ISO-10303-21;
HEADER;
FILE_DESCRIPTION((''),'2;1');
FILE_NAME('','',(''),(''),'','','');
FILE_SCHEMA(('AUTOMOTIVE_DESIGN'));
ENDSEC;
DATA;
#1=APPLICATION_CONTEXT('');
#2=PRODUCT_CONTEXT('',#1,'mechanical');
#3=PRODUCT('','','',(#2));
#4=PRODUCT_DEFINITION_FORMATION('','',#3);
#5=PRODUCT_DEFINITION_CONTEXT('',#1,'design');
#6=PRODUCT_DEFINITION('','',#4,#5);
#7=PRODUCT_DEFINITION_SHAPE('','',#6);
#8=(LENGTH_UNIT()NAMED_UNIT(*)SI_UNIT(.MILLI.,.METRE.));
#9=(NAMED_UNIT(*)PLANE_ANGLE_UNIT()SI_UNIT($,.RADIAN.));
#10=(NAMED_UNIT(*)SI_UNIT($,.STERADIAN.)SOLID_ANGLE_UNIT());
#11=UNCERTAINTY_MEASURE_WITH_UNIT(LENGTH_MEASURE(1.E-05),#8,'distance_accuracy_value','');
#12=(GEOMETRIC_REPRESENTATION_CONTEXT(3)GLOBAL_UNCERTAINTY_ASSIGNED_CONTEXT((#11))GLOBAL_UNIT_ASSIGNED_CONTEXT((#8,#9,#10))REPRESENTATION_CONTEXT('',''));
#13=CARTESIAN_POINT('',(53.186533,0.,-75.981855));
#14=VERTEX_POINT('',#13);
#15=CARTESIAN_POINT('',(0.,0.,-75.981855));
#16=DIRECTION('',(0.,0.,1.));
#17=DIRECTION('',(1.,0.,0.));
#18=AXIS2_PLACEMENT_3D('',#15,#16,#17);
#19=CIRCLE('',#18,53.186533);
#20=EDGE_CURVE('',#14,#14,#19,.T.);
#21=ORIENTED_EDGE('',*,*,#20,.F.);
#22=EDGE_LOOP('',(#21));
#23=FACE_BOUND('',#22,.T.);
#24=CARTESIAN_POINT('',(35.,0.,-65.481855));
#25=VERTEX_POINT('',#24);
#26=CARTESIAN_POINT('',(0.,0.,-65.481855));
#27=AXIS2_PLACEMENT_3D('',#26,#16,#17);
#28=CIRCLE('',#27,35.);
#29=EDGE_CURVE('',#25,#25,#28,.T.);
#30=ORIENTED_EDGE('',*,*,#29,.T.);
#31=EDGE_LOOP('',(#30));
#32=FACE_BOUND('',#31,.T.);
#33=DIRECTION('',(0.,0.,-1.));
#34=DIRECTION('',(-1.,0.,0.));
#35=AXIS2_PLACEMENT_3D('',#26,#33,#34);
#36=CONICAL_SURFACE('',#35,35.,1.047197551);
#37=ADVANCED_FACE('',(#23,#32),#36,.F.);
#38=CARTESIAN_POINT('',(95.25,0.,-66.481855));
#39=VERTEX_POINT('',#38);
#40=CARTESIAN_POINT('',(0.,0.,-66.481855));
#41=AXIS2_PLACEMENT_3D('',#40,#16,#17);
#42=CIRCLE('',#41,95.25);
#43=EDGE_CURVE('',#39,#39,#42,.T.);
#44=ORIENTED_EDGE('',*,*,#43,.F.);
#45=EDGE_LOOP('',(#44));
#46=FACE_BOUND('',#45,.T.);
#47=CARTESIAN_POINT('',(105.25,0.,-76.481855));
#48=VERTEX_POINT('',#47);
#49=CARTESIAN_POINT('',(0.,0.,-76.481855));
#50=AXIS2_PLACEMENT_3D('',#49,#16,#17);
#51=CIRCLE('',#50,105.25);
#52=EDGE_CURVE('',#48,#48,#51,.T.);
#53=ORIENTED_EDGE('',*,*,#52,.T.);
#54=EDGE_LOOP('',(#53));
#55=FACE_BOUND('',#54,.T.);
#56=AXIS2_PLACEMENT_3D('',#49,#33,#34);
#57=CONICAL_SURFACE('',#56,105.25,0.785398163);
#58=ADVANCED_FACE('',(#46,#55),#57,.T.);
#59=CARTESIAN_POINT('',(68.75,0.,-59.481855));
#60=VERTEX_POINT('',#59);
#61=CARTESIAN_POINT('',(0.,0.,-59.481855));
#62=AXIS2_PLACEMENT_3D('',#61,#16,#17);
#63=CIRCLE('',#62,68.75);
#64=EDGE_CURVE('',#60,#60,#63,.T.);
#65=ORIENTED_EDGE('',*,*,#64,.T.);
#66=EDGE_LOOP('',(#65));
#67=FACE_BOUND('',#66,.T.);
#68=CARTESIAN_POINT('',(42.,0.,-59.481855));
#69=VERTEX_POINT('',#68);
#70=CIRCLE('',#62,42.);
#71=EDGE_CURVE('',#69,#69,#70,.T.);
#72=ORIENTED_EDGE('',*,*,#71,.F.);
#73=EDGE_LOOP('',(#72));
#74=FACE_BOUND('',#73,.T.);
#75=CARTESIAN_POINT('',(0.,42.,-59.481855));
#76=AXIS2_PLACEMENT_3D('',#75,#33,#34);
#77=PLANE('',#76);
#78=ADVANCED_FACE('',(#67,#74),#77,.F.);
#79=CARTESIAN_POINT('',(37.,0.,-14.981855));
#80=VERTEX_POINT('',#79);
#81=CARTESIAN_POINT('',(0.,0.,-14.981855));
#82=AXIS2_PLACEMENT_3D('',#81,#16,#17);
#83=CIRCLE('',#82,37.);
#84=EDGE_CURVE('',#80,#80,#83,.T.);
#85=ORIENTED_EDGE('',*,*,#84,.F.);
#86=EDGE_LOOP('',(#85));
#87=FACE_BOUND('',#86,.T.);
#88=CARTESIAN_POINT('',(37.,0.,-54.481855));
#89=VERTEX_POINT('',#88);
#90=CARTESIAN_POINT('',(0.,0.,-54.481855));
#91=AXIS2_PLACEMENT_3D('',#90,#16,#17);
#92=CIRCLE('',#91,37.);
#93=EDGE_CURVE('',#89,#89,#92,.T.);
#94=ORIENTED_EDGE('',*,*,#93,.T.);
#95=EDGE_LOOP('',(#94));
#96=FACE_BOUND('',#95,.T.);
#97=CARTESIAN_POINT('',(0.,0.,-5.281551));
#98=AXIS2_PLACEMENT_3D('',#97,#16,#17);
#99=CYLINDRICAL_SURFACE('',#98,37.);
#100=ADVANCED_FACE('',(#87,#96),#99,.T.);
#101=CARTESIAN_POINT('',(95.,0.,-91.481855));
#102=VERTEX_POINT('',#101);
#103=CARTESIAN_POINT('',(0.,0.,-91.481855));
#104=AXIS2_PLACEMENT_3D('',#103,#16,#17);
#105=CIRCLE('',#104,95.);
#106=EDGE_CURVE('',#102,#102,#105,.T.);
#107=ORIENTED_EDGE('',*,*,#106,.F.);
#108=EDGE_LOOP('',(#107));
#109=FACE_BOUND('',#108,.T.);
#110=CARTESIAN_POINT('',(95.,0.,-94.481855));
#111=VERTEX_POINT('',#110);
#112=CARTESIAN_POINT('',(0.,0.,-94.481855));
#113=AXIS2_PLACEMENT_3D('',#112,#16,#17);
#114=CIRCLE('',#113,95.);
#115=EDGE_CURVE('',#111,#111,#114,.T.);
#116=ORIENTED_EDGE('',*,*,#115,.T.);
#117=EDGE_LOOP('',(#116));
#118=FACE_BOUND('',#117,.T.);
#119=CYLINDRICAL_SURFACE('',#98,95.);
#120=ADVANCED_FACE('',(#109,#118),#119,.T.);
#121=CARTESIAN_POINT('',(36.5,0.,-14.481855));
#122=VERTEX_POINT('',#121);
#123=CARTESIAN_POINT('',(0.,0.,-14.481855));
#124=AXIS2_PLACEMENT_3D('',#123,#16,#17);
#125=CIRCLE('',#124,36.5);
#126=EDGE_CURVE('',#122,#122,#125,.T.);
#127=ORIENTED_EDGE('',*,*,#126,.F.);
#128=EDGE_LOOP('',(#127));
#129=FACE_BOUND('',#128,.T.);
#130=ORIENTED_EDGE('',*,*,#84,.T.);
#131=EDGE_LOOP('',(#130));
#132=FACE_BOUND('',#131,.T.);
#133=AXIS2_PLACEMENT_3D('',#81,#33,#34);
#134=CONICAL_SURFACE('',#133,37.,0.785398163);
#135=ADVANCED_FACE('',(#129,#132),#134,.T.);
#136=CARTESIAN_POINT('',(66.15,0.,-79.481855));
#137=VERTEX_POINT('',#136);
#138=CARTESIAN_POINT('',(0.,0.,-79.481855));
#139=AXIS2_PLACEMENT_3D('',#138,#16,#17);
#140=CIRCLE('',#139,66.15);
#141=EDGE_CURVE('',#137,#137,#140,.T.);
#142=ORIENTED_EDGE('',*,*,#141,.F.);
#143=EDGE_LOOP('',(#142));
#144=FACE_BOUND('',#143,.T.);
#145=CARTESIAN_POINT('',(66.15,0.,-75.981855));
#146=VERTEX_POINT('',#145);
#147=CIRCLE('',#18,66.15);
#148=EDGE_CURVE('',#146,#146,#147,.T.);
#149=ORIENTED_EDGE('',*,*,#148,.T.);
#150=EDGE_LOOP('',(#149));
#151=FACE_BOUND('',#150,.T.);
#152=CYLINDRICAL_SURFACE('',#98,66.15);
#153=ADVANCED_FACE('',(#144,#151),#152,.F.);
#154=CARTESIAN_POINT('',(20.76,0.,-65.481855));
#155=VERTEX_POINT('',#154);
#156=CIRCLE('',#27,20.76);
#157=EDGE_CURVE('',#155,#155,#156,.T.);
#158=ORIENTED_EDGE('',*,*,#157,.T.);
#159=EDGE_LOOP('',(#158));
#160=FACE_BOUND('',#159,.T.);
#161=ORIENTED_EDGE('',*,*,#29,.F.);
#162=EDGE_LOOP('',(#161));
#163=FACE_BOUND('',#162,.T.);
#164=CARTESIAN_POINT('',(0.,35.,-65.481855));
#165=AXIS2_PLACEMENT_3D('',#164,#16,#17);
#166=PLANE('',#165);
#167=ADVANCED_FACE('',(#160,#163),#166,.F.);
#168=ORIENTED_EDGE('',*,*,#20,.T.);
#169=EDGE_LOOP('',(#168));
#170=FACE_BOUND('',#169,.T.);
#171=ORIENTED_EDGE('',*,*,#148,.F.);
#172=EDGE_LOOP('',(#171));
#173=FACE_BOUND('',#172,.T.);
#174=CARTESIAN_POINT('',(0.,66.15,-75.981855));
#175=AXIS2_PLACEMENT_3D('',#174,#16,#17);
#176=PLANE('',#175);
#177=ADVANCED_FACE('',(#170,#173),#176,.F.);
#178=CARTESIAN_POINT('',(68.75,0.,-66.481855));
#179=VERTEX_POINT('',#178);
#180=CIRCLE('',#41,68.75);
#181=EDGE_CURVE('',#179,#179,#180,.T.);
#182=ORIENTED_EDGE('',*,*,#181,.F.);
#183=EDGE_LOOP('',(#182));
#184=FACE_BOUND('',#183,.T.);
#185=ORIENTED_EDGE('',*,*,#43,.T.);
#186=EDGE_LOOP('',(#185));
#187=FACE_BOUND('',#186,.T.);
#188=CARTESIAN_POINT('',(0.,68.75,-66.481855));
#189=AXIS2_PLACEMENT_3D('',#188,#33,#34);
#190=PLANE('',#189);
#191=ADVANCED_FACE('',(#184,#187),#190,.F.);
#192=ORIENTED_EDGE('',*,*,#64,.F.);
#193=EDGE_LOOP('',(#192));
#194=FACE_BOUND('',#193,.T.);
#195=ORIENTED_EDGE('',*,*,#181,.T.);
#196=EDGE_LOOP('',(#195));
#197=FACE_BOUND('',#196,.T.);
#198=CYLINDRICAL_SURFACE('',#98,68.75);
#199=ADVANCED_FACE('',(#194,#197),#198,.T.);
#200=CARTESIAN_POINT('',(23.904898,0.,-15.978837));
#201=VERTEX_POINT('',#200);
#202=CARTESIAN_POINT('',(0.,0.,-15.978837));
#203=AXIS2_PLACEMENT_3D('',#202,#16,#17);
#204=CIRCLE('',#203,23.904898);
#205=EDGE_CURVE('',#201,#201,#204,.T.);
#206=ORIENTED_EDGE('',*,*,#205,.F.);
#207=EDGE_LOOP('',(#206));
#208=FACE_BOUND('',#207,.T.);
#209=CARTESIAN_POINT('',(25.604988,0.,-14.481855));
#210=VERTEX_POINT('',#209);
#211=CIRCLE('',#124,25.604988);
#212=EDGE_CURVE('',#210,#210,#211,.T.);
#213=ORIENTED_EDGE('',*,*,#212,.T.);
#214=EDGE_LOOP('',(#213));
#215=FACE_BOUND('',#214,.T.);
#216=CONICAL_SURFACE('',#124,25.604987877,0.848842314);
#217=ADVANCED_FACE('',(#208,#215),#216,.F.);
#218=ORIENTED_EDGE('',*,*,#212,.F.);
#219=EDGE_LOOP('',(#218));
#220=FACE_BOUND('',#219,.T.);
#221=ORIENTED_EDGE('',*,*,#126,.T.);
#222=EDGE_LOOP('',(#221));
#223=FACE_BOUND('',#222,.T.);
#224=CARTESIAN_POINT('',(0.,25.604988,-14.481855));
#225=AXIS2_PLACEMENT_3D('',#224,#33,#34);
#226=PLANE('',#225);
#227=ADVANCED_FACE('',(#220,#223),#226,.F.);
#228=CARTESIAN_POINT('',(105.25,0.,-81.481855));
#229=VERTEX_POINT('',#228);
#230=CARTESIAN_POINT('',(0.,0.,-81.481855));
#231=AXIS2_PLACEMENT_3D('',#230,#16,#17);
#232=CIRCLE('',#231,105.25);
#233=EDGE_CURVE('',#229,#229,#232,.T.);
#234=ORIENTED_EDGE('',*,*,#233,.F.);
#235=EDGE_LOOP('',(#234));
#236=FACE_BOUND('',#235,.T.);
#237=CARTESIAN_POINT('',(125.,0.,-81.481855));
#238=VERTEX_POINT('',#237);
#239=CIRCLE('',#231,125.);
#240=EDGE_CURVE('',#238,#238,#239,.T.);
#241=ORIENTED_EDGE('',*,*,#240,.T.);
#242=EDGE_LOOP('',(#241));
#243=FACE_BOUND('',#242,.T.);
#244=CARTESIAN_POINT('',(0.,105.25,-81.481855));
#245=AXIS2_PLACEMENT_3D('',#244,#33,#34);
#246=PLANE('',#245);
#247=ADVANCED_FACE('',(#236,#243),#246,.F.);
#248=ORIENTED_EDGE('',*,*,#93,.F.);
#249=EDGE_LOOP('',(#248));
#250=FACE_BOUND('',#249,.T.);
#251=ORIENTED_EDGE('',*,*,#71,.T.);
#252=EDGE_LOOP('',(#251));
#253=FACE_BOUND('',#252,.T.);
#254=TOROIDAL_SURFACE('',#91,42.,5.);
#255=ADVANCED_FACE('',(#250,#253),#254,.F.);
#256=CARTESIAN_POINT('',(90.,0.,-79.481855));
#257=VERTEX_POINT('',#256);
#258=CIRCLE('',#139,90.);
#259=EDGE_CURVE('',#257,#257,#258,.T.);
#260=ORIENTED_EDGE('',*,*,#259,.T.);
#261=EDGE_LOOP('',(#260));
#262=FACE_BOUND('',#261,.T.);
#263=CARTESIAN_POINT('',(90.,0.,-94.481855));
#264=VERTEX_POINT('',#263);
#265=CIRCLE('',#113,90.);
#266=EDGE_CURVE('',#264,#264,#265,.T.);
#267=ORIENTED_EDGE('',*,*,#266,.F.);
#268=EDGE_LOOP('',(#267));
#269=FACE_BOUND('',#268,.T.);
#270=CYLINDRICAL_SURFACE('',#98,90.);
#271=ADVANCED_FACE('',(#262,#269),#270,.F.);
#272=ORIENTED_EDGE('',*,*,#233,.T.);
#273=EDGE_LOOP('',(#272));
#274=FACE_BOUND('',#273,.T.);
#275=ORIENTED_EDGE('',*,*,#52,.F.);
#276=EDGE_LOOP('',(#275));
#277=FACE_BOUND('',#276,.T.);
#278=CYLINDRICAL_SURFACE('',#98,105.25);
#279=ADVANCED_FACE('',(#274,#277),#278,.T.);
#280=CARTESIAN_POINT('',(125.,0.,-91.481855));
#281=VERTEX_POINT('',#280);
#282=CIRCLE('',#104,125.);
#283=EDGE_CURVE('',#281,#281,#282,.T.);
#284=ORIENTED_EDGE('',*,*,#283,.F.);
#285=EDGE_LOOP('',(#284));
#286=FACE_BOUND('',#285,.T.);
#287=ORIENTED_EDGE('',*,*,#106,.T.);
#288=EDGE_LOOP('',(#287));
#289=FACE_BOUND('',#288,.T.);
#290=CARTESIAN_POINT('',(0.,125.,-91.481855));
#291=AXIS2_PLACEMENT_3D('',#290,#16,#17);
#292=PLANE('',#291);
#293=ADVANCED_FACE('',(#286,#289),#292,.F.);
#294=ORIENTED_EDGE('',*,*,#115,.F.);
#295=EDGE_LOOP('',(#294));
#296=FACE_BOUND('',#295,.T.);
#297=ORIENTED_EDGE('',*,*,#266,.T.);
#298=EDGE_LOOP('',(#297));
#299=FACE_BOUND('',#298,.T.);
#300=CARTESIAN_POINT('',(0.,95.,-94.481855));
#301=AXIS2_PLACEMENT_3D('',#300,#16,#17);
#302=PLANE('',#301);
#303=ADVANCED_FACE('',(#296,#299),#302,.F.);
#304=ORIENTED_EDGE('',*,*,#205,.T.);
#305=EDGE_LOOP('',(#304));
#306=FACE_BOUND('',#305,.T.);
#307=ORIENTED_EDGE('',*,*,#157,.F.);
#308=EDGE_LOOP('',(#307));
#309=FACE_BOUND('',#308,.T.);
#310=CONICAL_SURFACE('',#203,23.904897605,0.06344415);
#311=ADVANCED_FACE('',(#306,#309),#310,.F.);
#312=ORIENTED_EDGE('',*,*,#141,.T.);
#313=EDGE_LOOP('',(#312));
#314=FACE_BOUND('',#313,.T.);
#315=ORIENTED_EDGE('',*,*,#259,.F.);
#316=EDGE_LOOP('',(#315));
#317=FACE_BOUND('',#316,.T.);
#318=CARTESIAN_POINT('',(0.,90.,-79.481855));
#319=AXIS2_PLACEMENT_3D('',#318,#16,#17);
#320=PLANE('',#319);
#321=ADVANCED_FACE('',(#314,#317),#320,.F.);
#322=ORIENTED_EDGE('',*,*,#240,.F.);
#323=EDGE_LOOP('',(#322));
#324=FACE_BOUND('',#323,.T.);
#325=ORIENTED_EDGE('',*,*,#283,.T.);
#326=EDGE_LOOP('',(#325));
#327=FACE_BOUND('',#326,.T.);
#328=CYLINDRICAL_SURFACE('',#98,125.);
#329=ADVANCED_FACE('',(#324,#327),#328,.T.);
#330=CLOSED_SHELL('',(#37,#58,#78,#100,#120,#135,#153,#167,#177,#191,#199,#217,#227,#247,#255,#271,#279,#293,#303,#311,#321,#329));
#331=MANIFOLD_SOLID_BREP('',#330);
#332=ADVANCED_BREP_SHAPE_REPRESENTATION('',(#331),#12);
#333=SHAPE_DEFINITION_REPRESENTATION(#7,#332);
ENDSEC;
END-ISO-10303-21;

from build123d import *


with BuildPart() as part:
    # Эскиз1 → Повернуть2 (revolve)
    with BuildSketch(Plane(origin=(0, 0, 0), x_dir=(0, 0, -1), z_dir=(1, 0, 0))):
        with BuildLine():
            Line((65.481855233, 20.76), (15.978837376, 23.904897605))
            Line((15.978837376, 23.904897605), (14.481855233, 25.604987877))
            Line((14.481855233, 25.604987877), (14.481855233, 36.5))
            Line((14.481855233, 36.5), (14.981855233, 37))
            Line((14.981855233, 37), (54.481855233, 37))
            ThreePointArc((54.481855233, 37), (58.017389139, 38.464466094), (59.481855233, 42))
            Line((59.481855233, 42), (59.481855233, 68.75))
            Line((59.481855233, 68.75), (66.481855233, 68.75))
            Line((66.481855233, 68.75), (66.481855233, 95.25))
            Line((66.481855233, 95.25), (76.481855233, 105.25))
            Line((76.481855233, 105.25), (81.481855233, 105.25))
            Line((81.481855233, 105.25), (81.481855233, 125))
            Line((81.481855233, 125), (91.481855233, 125))
            Line((91.481855233, 125), (91.481855233, 95))
            Line((91.481855233, 95), (94.481855233, 95))
            Line((94.481855233, 95), (94.481855233, 90))
            Line((94.481855233, 90), (79.481855233, 90))
            Line((79.481855233, 90), (79.481855233, 66.15))
            Line((79.481855233, 66.15), (75.981855233, 66.15))
            Line((75.981855233, 66.15), (75.981855233, 53.186533479))
            Line((75.981855233, 53.186533479), (65.481855233, 35))
            Line((65.481855233, 35), (65.481855233, 20.76))
        make_face()
    revolve(axis=Axis((0, 0, -5.281550862), (0, 0, -1)))


solid = part.part
